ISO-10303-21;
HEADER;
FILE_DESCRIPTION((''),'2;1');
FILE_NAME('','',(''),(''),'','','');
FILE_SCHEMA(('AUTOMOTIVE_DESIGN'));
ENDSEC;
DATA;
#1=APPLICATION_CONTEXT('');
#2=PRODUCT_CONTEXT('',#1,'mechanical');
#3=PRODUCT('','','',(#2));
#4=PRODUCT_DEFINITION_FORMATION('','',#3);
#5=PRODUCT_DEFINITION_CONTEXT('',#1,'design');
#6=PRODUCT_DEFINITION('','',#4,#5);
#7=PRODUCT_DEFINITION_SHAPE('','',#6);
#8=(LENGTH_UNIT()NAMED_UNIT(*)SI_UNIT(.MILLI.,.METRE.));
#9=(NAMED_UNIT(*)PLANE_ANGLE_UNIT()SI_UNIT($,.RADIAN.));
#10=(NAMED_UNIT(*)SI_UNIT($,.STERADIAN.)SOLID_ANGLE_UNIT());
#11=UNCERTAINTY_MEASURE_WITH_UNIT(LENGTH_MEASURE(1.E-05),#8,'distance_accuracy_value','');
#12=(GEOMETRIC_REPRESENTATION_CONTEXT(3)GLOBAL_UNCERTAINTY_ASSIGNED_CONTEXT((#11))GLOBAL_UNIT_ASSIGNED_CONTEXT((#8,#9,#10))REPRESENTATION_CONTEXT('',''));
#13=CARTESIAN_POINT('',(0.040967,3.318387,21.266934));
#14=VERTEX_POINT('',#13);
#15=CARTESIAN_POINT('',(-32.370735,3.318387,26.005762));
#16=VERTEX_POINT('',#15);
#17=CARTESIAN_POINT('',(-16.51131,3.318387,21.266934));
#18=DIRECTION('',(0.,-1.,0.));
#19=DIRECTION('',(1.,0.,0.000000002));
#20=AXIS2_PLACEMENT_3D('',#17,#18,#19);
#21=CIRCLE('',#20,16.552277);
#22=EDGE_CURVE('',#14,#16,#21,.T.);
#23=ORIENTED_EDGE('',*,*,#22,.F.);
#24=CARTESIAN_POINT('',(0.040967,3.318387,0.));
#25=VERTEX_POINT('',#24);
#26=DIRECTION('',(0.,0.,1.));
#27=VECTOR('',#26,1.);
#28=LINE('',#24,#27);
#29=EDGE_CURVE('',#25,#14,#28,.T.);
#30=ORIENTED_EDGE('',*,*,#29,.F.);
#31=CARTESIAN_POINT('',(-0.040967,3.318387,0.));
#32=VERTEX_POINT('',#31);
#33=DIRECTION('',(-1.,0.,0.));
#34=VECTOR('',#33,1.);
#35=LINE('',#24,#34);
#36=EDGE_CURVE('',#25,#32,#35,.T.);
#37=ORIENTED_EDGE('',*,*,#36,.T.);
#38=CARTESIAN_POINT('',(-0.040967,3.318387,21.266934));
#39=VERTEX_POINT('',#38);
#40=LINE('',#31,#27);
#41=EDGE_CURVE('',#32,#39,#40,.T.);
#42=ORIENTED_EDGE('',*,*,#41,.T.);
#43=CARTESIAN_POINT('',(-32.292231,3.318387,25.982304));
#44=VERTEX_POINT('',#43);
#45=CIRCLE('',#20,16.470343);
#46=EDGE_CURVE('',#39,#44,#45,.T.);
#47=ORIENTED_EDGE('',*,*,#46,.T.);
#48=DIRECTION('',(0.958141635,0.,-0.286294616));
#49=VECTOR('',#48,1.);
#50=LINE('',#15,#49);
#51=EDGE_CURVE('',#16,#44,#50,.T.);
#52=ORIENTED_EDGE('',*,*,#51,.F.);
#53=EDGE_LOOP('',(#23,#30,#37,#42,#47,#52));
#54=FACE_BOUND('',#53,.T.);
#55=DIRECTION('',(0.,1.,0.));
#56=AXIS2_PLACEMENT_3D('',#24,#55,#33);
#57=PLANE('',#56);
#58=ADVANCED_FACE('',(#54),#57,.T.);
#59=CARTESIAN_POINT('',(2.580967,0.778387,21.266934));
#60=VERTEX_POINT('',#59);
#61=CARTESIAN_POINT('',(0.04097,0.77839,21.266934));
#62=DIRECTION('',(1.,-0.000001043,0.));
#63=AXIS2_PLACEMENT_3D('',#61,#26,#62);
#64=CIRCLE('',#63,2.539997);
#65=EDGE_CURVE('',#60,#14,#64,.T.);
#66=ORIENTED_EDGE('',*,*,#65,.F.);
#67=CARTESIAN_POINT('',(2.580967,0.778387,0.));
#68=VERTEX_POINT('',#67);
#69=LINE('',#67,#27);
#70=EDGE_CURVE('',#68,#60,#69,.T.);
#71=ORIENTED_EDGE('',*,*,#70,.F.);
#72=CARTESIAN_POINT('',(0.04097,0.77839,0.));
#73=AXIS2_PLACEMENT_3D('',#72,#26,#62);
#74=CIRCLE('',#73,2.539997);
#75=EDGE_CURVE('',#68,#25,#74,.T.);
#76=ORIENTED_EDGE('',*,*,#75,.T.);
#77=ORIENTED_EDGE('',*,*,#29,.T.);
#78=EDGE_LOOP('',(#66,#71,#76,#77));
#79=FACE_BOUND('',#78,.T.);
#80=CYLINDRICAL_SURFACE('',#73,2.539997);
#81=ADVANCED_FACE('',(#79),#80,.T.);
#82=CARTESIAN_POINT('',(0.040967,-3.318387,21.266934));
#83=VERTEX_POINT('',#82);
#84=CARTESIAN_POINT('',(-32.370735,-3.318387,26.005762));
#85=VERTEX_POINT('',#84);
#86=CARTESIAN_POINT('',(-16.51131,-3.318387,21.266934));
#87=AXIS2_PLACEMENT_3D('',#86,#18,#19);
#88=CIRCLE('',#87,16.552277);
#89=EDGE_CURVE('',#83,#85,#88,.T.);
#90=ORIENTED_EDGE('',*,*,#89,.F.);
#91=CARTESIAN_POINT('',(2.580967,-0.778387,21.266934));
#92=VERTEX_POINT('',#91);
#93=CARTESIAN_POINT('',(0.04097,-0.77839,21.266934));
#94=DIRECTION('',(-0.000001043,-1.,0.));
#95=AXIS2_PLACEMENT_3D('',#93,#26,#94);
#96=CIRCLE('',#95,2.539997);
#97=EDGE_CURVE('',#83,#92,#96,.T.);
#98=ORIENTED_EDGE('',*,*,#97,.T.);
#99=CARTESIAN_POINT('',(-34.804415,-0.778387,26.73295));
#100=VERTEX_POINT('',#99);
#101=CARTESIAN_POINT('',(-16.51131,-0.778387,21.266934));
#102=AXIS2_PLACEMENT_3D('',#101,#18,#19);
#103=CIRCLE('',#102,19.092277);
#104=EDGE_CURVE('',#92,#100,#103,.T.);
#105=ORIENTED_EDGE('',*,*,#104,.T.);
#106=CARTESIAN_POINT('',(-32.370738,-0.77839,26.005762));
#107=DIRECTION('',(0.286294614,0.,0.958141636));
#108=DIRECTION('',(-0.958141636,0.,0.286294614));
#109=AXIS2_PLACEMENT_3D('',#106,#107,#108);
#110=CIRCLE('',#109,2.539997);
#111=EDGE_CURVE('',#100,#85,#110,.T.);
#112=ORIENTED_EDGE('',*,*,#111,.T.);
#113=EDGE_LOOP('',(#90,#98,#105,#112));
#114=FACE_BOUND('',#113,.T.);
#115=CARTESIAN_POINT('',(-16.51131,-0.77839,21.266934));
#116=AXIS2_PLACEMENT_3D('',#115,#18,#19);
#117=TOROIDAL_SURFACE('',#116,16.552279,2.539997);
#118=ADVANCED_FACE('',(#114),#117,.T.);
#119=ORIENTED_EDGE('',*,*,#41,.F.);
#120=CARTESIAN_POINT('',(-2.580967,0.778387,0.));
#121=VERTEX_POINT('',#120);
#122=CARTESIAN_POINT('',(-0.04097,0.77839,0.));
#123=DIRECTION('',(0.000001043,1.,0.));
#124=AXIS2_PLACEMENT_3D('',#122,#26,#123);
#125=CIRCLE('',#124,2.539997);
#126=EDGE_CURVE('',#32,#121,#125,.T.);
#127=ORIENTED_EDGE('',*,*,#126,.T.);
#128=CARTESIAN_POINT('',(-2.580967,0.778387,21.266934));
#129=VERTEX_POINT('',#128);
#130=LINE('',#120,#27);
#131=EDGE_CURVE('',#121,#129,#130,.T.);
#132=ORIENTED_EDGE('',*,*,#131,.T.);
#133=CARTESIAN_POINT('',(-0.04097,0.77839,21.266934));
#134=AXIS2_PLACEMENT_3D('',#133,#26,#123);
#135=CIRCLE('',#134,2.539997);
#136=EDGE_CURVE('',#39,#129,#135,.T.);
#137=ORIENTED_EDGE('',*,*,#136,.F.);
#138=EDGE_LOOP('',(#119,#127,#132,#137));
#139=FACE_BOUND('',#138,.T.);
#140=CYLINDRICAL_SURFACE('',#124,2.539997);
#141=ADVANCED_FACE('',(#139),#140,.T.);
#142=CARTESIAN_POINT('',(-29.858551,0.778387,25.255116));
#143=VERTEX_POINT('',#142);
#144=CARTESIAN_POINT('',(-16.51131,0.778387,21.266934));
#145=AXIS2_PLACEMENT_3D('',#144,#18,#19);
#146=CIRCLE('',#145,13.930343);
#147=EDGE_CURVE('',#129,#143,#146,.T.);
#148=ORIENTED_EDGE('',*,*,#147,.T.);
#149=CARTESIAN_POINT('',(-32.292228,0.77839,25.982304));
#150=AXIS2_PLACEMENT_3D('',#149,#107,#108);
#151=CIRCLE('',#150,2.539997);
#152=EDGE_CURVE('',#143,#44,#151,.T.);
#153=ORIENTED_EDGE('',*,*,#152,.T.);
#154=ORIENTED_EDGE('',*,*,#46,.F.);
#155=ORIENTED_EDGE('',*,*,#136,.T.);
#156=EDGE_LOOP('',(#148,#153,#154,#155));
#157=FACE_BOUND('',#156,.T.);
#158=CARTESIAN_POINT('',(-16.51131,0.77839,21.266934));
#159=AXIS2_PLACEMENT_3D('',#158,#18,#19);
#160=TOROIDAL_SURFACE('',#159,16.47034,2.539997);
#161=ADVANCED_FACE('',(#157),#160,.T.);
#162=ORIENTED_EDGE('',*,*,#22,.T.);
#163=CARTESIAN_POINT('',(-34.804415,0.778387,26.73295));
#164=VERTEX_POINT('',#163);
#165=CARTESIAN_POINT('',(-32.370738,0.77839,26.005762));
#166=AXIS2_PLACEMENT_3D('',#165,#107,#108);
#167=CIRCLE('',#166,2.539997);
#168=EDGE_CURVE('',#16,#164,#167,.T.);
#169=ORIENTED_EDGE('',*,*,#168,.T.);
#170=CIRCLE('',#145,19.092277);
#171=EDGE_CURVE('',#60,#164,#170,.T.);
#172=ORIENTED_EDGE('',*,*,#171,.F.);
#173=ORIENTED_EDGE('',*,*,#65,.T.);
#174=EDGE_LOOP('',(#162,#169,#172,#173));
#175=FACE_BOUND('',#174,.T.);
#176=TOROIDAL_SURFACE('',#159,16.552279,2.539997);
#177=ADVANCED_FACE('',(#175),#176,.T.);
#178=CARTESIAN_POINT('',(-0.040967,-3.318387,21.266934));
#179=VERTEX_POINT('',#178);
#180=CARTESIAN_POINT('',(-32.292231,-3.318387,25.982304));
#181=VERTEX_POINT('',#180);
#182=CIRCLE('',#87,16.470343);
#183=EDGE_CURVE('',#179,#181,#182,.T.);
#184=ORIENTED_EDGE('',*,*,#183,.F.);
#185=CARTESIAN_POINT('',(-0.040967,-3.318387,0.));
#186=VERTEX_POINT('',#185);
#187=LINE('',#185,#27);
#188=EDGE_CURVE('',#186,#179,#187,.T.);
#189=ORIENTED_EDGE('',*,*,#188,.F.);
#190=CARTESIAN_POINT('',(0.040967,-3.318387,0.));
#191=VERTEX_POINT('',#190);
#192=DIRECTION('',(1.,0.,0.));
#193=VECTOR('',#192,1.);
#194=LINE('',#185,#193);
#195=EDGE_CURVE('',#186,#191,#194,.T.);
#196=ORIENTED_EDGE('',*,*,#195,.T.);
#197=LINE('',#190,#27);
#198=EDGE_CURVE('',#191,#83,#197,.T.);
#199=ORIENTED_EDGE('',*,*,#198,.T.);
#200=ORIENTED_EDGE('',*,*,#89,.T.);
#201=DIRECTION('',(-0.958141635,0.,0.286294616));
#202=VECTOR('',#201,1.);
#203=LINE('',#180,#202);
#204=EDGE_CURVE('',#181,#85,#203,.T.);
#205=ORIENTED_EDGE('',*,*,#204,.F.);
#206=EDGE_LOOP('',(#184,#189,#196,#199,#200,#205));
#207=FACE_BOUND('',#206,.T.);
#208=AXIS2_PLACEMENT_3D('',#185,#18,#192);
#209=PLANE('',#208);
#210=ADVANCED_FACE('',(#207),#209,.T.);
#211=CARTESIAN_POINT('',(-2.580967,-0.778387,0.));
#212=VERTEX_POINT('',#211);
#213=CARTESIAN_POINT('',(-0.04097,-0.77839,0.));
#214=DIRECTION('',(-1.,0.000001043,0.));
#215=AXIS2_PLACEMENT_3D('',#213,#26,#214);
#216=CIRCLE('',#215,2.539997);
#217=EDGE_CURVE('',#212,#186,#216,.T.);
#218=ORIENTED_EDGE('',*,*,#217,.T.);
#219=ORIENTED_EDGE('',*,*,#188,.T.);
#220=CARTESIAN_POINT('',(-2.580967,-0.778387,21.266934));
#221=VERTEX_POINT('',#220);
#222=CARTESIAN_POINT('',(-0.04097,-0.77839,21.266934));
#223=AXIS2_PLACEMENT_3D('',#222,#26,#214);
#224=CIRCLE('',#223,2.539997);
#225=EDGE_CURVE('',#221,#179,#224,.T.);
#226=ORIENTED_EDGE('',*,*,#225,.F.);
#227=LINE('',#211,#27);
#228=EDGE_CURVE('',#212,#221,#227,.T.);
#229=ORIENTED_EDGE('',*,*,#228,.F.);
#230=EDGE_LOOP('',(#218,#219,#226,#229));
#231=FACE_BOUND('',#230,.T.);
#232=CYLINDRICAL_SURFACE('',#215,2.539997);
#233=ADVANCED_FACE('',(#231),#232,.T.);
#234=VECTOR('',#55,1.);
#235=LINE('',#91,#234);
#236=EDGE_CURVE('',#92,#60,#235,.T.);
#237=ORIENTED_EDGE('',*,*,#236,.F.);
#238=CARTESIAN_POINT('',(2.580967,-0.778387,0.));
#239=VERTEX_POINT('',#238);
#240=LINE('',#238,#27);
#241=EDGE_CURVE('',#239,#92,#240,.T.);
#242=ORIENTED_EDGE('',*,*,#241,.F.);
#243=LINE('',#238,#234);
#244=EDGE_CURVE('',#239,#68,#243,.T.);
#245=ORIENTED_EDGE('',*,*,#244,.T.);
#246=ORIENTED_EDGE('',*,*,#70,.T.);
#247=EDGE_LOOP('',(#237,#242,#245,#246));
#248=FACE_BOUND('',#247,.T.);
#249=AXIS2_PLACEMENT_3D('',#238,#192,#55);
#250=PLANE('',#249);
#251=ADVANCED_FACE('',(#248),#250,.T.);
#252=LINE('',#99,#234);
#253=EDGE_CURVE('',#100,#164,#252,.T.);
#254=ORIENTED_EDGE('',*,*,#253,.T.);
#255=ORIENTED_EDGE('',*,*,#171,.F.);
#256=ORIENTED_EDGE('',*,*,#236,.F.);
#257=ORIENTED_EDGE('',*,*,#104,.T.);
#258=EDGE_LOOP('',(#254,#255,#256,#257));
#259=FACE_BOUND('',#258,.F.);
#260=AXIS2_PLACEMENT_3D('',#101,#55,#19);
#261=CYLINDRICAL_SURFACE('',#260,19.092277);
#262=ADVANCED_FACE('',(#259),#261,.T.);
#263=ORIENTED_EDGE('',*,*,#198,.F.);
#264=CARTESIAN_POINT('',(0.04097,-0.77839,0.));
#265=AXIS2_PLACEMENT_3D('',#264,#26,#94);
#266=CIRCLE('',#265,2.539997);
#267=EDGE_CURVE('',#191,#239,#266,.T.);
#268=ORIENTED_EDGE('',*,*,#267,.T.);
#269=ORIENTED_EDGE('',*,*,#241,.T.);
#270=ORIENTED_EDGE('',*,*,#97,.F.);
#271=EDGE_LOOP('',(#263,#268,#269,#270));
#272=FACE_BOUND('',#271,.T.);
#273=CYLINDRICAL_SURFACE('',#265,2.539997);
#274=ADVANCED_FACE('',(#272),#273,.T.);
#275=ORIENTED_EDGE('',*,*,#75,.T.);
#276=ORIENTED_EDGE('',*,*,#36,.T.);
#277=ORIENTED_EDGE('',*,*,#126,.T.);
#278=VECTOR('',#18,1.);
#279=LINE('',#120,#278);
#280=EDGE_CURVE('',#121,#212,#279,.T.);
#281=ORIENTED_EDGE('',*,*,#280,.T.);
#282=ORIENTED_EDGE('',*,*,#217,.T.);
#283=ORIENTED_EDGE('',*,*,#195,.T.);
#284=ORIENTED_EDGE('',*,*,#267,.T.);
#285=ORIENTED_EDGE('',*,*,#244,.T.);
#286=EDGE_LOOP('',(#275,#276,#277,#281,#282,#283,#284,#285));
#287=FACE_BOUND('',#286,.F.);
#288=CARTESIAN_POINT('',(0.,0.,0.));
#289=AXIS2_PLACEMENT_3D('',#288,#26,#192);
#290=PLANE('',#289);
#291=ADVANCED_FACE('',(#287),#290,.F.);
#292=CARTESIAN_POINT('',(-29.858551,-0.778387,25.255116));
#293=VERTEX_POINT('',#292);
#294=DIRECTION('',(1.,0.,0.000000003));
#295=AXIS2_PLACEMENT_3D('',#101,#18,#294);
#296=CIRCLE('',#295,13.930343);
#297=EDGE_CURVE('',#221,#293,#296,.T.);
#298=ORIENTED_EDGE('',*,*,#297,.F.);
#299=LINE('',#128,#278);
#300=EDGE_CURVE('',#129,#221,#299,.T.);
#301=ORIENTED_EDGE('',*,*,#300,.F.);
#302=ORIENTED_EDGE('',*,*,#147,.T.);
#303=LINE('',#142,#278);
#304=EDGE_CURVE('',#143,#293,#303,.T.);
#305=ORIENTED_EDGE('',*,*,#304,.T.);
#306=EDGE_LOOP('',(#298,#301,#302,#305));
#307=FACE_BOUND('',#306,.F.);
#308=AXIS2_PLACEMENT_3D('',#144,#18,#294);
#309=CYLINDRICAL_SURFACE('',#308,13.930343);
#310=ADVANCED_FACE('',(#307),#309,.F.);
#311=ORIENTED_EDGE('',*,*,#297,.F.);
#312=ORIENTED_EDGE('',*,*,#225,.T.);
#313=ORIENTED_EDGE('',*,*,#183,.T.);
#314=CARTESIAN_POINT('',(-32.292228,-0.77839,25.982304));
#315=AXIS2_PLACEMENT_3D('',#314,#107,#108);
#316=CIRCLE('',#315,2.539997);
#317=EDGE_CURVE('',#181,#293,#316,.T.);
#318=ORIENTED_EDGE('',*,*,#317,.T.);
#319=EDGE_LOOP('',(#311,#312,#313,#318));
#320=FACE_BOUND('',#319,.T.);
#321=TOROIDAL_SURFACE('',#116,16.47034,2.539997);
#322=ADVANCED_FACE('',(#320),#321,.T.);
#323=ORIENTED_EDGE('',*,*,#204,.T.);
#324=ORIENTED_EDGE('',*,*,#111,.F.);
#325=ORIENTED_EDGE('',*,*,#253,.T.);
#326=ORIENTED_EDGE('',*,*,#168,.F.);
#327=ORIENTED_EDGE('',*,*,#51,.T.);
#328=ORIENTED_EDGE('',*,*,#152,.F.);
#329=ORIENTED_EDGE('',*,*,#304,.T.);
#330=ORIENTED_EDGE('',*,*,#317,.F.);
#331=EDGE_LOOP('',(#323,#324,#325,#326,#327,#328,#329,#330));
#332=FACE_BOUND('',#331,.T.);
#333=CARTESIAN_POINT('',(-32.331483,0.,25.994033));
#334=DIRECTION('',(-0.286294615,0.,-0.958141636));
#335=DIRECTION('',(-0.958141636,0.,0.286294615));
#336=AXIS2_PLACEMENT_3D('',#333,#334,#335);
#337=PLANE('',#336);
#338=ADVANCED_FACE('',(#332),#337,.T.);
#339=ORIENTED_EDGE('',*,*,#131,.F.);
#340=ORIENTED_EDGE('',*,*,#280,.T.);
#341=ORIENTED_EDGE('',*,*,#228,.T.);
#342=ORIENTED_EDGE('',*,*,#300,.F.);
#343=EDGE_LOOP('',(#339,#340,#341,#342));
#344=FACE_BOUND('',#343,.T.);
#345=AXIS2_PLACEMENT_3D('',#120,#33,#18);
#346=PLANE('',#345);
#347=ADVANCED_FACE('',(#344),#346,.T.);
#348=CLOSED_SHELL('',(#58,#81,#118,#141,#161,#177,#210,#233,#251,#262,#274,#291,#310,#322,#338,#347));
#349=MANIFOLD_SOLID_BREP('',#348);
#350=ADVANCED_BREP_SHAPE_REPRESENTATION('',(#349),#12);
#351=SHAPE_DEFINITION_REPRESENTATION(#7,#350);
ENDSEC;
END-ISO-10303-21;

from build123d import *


with BuildPart() as f2:
    # F2: sweep along a path in F1
    with BuildLine(Plane.XZ) as f2_path:
        Line((0, 0), (0, 21.266934))
        ThreePointArc((0, 21.266934), (-14.122632, 37.604546), (-32.331483, 25.994033))
    # F0 (on Top) → F2 (sweep)
    with BuildSketch(Plane.XY):
        with BuildLine():
            Line((-0.040967, -3.318387), (0.040967, -3.318387))
            ThreePointArc((0.040967, -3.318387), (1.837019, -2.574439), (2.580967, -0.778387))
            Line((2.580967, -0.778387), (2.580967, 0.778387))
            ThreePointArc((2.580967, 0.778387), (1.837019, 2.574439), (0.040967, 3.318387))
            Line((0.040967, 3.318387), (-0.040967, 3.318387))
            ThreePointArc((-0.040967, 3.318387), (-1.837019, 2.574439), (-2.580967, 0.778387))
            Line((-2.580967, 0.778387), (-2.580967, -0.778387))
            ThreePointArc((-2.580967, -0.778387), (-1.837019, -2.574439), (-0.040967, -3.318387))
        make_face()
    sweep(path=f2_path.line)


solid = f2.part
